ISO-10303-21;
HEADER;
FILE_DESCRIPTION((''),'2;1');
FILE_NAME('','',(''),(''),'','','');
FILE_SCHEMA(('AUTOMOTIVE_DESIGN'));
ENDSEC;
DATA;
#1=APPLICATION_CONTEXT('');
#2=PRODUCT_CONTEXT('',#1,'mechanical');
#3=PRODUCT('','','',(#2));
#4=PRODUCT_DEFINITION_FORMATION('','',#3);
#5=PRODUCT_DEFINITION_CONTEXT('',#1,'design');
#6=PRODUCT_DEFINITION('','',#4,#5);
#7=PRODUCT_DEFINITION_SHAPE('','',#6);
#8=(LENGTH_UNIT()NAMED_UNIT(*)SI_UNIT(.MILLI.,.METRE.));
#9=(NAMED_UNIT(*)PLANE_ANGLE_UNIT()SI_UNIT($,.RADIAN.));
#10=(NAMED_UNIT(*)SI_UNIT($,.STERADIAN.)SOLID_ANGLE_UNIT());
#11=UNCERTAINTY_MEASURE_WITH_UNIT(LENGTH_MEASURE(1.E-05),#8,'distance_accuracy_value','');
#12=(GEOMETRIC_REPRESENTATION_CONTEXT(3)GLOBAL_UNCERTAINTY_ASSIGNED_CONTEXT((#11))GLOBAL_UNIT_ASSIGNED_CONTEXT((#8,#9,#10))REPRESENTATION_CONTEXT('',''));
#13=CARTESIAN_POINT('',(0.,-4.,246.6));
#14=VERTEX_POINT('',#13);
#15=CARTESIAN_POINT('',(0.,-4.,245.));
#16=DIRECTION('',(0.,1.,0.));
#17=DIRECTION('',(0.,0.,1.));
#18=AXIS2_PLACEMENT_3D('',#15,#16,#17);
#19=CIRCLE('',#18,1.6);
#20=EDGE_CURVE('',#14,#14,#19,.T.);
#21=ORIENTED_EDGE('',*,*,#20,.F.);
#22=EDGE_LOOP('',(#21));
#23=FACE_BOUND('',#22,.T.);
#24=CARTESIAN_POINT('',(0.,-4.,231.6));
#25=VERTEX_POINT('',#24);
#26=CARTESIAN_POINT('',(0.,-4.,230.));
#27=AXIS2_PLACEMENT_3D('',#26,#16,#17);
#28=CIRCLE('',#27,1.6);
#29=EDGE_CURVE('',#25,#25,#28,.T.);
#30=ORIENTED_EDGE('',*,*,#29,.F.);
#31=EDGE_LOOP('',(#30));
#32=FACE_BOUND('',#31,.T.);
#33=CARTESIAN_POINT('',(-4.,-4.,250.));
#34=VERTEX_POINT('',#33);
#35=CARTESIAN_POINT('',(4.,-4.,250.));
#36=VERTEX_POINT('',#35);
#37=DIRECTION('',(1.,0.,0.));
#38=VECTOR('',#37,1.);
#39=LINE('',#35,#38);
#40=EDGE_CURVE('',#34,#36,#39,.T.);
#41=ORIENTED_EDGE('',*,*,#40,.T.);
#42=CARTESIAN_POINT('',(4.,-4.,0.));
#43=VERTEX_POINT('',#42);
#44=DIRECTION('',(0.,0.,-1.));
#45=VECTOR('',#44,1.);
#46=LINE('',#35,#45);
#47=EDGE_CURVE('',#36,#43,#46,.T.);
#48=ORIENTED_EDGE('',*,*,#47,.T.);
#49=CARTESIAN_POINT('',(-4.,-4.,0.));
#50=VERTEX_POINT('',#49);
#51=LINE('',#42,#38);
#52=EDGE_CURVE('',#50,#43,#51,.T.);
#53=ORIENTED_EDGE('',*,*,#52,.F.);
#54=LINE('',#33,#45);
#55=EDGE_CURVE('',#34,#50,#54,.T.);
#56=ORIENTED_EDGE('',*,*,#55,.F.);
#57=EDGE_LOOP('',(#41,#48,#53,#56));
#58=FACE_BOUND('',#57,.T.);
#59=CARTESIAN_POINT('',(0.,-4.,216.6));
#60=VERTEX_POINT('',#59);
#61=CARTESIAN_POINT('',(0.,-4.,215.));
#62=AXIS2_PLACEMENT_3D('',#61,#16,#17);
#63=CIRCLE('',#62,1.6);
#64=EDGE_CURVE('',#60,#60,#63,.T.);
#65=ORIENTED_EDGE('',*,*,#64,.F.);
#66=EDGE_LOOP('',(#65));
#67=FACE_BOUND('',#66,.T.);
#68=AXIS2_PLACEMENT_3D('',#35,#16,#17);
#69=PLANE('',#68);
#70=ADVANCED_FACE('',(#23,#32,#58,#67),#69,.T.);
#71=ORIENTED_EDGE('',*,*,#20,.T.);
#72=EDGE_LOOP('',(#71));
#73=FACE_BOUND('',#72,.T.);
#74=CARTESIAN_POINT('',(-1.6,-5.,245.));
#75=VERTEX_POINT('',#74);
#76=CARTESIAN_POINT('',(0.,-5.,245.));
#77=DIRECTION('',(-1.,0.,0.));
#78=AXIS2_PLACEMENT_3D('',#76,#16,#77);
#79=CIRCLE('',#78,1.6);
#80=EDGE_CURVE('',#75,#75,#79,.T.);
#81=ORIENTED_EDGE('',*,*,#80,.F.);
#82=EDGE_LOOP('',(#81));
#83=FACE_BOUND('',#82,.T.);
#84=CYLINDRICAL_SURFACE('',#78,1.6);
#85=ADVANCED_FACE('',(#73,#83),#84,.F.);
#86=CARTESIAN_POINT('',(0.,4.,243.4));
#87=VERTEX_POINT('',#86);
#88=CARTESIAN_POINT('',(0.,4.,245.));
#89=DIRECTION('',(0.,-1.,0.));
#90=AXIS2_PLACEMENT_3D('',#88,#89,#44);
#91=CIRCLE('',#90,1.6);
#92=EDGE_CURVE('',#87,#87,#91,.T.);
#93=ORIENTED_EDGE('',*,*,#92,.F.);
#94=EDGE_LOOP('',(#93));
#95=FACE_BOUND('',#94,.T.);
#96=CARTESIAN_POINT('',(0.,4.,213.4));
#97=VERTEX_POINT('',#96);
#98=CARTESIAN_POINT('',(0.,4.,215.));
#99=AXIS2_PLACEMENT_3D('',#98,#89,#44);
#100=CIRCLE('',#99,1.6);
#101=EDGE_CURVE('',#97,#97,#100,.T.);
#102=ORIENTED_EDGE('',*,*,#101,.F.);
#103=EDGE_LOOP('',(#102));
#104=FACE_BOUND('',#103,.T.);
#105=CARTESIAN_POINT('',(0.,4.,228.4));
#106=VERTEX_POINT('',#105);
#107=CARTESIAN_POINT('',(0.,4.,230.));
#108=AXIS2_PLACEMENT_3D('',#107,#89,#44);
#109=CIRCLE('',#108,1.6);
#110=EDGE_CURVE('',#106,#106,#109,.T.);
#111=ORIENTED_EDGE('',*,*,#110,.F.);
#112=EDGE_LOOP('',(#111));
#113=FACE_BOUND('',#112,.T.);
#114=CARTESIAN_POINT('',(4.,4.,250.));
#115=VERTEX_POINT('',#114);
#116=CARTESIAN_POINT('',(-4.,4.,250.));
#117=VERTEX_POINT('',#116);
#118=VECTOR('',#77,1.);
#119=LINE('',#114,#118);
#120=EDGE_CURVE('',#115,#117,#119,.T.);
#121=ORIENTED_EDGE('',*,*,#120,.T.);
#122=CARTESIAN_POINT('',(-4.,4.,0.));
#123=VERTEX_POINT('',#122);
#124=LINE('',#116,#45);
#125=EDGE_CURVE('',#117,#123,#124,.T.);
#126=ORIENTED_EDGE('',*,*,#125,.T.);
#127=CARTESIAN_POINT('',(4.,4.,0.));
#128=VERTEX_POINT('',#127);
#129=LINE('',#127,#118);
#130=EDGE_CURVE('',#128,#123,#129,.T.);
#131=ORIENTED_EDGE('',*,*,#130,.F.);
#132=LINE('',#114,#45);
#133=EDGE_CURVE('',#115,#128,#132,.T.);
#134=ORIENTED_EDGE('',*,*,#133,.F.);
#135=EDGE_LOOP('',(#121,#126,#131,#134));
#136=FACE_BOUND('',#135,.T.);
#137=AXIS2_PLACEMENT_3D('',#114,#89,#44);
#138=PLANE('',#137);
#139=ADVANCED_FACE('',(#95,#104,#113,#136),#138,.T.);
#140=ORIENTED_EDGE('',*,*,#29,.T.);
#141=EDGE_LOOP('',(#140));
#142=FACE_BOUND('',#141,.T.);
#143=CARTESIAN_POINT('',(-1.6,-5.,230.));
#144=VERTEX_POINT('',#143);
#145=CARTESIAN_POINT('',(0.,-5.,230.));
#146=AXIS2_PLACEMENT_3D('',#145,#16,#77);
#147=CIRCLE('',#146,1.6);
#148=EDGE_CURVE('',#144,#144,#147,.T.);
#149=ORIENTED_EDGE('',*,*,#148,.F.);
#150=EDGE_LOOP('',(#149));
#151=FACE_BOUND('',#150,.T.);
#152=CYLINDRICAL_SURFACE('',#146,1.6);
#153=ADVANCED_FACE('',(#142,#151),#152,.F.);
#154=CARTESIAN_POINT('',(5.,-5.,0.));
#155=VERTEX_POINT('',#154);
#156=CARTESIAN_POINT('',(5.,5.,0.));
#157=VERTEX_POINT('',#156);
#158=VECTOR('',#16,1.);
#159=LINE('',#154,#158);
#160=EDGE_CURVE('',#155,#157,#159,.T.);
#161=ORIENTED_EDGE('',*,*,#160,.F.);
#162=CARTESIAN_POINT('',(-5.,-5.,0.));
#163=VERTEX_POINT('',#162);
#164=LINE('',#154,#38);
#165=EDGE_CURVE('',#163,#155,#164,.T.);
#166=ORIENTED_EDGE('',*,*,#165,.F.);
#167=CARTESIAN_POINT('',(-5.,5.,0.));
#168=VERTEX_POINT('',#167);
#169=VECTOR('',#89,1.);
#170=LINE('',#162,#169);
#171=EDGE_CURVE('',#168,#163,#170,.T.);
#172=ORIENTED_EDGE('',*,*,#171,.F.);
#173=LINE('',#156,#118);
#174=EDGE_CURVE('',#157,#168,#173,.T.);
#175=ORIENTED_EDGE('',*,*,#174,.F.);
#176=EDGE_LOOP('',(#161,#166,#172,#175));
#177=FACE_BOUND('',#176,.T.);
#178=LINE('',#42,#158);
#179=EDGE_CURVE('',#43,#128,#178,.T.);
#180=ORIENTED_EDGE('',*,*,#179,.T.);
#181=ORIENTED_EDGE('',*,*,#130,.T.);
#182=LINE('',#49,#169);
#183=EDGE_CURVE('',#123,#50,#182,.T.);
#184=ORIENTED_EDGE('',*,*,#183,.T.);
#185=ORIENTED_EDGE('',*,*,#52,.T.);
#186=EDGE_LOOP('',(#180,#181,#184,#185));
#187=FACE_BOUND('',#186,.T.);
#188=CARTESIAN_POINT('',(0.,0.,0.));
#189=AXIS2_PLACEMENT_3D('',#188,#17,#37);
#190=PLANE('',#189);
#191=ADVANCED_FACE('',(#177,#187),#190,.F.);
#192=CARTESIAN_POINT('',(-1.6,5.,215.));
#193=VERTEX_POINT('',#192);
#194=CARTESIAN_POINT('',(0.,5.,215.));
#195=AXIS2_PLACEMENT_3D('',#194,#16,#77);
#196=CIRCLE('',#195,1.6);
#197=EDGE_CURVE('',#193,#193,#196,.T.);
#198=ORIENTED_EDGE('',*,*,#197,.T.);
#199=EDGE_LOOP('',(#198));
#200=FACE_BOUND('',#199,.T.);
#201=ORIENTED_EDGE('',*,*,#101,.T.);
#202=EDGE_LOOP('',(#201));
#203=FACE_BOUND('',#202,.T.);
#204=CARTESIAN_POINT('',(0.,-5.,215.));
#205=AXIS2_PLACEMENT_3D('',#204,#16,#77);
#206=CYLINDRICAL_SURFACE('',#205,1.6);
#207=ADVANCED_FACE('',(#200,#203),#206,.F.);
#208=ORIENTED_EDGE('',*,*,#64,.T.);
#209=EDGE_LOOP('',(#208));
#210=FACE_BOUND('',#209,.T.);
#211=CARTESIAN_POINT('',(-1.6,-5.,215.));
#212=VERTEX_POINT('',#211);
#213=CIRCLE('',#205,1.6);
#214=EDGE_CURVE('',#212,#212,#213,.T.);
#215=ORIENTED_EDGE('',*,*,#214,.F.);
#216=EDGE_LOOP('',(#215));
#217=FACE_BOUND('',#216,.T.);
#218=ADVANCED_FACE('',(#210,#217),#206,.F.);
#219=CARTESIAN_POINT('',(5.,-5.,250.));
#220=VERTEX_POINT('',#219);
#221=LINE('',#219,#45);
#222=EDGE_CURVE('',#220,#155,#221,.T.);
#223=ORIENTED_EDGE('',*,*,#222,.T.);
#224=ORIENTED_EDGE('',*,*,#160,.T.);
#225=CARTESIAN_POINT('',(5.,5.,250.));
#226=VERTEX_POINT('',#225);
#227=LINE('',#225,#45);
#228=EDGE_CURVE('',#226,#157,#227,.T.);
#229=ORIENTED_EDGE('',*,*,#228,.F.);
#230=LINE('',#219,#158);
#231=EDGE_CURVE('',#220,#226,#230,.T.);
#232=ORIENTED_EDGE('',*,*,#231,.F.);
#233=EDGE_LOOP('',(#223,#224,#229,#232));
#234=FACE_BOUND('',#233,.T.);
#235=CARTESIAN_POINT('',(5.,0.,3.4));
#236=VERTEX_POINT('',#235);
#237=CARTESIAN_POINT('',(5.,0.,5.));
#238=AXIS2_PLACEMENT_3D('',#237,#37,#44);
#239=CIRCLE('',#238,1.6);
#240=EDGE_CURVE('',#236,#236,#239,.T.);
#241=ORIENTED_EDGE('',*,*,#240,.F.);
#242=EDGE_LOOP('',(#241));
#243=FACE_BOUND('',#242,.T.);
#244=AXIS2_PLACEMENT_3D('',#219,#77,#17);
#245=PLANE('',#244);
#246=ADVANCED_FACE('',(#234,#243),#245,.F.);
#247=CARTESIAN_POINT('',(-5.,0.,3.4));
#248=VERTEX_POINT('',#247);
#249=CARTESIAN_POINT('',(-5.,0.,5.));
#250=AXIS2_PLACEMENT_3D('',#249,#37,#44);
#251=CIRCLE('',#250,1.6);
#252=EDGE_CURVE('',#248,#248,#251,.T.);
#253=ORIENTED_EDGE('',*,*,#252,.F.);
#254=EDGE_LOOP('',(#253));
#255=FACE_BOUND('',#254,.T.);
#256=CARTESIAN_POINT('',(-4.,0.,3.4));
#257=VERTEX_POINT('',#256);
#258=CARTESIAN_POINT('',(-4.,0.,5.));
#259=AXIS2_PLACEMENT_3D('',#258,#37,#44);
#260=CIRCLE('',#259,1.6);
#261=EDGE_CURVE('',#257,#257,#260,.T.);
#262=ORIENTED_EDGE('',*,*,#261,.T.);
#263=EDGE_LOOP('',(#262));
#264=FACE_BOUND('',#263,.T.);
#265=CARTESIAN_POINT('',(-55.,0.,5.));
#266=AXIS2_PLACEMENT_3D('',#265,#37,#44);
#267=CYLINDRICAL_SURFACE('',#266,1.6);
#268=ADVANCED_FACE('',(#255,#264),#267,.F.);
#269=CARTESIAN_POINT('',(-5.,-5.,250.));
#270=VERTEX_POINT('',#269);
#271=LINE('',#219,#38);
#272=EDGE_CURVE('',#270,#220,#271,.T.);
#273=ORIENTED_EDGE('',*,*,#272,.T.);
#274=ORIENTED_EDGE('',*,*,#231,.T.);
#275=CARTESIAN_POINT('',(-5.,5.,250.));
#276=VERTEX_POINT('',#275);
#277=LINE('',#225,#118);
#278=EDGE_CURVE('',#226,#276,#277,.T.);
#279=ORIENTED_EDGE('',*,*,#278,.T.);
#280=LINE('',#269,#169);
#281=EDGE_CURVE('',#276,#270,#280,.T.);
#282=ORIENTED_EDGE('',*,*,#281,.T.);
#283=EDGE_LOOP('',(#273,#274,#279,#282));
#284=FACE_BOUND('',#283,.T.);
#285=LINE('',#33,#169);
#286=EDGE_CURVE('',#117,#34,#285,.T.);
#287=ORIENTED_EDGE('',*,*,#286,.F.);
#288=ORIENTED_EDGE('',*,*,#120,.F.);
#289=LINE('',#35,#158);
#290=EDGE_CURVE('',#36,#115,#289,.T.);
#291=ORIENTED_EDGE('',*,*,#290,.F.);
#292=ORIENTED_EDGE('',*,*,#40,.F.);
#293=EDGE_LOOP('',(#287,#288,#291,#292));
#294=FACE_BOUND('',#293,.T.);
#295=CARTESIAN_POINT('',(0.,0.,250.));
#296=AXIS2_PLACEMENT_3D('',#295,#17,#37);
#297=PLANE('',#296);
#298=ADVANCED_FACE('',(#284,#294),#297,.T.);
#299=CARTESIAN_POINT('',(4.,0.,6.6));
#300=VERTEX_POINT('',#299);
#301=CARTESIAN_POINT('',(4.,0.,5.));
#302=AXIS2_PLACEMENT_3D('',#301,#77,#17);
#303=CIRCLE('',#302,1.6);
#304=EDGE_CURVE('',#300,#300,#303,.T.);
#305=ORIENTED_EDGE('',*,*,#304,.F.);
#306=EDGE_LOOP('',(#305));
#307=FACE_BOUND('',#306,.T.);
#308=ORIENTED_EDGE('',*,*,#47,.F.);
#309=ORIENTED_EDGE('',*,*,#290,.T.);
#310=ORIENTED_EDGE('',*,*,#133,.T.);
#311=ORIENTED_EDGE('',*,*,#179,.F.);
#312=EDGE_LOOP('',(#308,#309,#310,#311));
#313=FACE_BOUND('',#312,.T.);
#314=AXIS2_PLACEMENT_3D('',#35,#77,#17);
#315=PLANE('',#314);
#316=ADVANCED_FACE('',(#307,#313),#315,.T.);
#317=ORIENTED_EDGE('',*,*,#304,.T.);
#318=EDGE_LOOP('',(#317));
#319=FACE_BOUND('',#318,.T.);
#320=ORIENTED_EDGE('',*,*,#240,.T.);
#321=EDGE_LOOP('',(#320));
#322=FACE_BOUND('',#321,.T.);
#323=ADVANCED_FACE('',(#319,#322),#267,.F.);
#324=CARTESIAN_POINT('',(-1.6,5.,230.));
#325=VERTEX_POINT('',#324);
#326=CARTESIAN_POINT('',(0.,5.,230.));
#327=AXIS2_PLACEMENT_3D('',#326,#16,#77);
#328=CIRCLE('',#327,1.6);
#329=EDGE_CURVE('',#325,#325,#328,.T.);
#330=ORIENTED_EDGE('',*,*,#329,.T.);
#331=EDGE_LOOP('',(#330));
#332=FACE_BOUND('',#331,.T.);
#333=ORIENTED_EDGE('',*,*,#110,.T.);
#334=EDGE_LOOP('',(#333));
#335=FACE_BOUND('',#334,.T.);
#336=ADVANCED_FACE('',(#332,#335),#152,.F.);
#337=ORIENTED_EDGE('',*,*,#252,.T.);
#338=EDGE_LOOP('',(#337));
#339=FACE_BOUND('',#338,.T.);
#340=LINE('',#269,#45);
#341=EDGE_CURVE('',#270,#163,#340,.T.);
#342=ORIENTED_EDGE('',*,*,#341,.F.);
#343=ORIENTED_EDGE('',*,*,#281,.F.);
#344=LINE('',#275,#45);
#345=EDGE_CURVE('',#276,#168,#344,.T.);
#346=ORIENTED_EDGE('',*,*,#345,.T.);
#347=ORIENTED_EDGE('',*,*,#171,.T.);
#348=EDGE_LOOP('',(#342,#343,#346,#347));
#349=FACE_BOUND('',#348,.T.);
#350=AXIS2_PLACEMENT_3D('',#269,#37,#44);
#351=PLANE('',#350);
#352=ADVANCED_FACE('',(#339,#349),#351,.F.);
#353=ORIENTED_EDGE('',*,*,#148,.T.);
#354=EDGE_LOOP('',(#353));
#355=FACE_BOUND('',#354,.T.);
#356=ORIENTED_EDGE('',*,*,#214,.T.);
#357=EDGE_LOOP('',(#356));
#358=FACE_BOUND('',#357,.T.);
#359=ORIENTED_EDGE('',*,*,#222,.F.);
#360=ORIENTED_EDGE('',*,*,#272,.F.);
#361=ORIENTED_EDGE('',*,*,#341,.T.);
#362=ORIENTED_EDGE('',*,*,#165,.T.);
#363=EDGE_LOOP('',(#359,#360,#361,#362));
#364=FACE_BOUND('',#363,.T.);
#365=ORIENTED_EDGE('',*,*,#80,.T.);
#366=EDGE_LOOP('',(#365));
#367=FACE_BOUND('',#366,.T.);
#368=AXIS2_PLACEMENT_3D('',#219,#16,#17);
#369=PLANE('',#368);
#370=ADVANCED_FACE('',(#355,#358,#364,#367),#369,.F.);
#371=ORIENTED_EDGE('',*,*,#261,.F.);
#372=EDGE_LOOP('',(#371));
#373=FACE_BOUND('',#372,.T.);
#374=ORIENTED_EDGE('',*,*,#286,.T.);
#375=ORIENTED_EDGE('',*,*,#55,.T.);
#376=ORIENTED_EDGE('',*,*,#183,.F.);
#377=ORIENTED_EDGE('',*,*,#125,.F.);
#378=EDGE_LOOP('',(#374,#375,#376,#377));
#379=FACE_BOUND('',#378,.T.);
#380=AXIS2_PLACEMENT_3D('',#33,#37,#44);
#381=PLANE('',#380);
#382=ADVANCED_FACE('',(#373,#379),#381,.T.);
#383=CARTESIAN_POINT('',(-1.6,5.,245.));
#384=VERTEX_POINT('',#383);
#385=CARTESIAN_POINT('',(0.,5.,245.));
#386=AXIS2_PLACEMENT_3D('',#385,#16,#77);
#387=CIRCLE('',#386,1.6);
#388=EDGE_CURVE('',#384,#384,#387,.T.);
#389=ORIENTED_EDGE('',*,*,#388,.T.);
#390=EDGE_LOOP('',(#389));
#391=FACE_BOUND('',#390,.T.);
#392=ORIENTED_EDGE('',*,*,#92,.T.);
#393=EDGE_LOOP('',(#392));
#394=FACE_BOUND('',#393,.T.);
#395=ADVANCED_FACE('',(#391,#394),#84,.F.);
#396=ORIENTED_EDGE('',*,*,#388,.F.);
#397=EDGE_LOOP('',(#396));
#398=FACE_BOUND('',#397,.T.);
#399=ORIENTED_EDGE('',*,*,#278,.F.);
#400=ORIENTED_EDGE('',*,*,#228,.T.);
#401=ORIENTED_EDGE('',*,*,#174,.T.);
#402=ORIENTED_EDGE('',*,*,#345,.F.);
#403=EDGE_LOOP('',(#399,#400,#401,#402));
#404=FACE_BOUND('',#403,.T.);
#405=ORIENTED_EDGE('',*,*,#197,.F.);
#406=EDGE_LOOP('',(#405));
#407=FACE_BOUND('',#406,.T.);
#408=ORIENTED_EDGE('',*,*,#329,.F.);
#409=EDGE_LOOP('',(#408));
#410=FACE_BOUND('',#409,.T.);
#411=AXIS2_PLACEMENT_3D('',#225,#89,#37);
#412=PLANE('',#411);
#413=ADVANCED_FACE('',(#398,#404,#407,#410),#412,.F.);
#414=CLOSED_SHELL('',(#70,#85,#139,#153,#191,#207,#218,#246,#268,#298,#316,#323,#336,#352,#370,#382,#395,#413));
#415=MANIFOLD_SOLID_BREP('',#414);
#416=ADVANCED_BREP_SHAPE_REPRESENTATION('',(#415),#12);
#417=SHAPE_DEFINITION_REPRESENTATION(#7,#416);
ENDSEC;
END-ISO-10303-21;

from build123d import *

# Parameters (mm, degrees)
SKETCH_1_W          = 10
SKETCH_1_H          = 10
SKETCH_1_W_2        = 8
SKETCH_1_H_2        = 8
EXTRUDE_1_DEPTH     = 250
SKETCH_2_R          = 1.6
CUT_EXTRUDE_1_DEPTH = 251.249875125
SKETCH_3_R          = 1.6
CUT_EXTRUDE_2_DEPTH = 60


with BuildPart() as part:
    # ｽｹｯﾁ1 → ﾎﾞｽ - 押し出し1 (new body)
    with BuildSketch(Plane.XY):
        Rectangle(SKETCH_1_W, SKETCH_1_H)
        Rectangle(SKETCH_1_W_2, SKETCH_1_H_2, mode=Mode.SUBTRACT)
    extrude(amount=EXTRUDE_1_DEPTH)

    # ｽｹｯﾁ2 → ｶｯﾄ - 押し出し1 (cut, through all)
    with BuildSketch(Plane(origin=(0, 5, 0), x_dir=(1, 0, 0), z_dir=(0, 1, 0))):
        with Locations(Location((0, -215, 0), (0, 0, 180))):
            Circle(SKETCH_2_R)
        with Locations(Location((0, -245, 0), (0, 0, 180))):
            Circle(SKETCH_2_R)
        with Locations(Location((0, -230, 0), (0, 0, 180))):
            Circle(SKETCH_2_R)
    extrude(amount=-CUT_EXTRUDE_1_DEPTH, mode=Mode.SUBTRACT)

    # ｽｹｯﾁ3 → ｶｯﾄ - 押し出し2 (cut)
    with BuildSketch(Plane(origin=(5, 0, 0), x_dir=(0, 0, -1), z_dir=(1, 0, 0))):
        with Locations((-5, 0)):
            Circle(SKETCH_3_R)
    extrude(amount=-CUT_EXTRUDE_2_DEPTH, mode=Mode.SUBTRACT)


solid = part.part
